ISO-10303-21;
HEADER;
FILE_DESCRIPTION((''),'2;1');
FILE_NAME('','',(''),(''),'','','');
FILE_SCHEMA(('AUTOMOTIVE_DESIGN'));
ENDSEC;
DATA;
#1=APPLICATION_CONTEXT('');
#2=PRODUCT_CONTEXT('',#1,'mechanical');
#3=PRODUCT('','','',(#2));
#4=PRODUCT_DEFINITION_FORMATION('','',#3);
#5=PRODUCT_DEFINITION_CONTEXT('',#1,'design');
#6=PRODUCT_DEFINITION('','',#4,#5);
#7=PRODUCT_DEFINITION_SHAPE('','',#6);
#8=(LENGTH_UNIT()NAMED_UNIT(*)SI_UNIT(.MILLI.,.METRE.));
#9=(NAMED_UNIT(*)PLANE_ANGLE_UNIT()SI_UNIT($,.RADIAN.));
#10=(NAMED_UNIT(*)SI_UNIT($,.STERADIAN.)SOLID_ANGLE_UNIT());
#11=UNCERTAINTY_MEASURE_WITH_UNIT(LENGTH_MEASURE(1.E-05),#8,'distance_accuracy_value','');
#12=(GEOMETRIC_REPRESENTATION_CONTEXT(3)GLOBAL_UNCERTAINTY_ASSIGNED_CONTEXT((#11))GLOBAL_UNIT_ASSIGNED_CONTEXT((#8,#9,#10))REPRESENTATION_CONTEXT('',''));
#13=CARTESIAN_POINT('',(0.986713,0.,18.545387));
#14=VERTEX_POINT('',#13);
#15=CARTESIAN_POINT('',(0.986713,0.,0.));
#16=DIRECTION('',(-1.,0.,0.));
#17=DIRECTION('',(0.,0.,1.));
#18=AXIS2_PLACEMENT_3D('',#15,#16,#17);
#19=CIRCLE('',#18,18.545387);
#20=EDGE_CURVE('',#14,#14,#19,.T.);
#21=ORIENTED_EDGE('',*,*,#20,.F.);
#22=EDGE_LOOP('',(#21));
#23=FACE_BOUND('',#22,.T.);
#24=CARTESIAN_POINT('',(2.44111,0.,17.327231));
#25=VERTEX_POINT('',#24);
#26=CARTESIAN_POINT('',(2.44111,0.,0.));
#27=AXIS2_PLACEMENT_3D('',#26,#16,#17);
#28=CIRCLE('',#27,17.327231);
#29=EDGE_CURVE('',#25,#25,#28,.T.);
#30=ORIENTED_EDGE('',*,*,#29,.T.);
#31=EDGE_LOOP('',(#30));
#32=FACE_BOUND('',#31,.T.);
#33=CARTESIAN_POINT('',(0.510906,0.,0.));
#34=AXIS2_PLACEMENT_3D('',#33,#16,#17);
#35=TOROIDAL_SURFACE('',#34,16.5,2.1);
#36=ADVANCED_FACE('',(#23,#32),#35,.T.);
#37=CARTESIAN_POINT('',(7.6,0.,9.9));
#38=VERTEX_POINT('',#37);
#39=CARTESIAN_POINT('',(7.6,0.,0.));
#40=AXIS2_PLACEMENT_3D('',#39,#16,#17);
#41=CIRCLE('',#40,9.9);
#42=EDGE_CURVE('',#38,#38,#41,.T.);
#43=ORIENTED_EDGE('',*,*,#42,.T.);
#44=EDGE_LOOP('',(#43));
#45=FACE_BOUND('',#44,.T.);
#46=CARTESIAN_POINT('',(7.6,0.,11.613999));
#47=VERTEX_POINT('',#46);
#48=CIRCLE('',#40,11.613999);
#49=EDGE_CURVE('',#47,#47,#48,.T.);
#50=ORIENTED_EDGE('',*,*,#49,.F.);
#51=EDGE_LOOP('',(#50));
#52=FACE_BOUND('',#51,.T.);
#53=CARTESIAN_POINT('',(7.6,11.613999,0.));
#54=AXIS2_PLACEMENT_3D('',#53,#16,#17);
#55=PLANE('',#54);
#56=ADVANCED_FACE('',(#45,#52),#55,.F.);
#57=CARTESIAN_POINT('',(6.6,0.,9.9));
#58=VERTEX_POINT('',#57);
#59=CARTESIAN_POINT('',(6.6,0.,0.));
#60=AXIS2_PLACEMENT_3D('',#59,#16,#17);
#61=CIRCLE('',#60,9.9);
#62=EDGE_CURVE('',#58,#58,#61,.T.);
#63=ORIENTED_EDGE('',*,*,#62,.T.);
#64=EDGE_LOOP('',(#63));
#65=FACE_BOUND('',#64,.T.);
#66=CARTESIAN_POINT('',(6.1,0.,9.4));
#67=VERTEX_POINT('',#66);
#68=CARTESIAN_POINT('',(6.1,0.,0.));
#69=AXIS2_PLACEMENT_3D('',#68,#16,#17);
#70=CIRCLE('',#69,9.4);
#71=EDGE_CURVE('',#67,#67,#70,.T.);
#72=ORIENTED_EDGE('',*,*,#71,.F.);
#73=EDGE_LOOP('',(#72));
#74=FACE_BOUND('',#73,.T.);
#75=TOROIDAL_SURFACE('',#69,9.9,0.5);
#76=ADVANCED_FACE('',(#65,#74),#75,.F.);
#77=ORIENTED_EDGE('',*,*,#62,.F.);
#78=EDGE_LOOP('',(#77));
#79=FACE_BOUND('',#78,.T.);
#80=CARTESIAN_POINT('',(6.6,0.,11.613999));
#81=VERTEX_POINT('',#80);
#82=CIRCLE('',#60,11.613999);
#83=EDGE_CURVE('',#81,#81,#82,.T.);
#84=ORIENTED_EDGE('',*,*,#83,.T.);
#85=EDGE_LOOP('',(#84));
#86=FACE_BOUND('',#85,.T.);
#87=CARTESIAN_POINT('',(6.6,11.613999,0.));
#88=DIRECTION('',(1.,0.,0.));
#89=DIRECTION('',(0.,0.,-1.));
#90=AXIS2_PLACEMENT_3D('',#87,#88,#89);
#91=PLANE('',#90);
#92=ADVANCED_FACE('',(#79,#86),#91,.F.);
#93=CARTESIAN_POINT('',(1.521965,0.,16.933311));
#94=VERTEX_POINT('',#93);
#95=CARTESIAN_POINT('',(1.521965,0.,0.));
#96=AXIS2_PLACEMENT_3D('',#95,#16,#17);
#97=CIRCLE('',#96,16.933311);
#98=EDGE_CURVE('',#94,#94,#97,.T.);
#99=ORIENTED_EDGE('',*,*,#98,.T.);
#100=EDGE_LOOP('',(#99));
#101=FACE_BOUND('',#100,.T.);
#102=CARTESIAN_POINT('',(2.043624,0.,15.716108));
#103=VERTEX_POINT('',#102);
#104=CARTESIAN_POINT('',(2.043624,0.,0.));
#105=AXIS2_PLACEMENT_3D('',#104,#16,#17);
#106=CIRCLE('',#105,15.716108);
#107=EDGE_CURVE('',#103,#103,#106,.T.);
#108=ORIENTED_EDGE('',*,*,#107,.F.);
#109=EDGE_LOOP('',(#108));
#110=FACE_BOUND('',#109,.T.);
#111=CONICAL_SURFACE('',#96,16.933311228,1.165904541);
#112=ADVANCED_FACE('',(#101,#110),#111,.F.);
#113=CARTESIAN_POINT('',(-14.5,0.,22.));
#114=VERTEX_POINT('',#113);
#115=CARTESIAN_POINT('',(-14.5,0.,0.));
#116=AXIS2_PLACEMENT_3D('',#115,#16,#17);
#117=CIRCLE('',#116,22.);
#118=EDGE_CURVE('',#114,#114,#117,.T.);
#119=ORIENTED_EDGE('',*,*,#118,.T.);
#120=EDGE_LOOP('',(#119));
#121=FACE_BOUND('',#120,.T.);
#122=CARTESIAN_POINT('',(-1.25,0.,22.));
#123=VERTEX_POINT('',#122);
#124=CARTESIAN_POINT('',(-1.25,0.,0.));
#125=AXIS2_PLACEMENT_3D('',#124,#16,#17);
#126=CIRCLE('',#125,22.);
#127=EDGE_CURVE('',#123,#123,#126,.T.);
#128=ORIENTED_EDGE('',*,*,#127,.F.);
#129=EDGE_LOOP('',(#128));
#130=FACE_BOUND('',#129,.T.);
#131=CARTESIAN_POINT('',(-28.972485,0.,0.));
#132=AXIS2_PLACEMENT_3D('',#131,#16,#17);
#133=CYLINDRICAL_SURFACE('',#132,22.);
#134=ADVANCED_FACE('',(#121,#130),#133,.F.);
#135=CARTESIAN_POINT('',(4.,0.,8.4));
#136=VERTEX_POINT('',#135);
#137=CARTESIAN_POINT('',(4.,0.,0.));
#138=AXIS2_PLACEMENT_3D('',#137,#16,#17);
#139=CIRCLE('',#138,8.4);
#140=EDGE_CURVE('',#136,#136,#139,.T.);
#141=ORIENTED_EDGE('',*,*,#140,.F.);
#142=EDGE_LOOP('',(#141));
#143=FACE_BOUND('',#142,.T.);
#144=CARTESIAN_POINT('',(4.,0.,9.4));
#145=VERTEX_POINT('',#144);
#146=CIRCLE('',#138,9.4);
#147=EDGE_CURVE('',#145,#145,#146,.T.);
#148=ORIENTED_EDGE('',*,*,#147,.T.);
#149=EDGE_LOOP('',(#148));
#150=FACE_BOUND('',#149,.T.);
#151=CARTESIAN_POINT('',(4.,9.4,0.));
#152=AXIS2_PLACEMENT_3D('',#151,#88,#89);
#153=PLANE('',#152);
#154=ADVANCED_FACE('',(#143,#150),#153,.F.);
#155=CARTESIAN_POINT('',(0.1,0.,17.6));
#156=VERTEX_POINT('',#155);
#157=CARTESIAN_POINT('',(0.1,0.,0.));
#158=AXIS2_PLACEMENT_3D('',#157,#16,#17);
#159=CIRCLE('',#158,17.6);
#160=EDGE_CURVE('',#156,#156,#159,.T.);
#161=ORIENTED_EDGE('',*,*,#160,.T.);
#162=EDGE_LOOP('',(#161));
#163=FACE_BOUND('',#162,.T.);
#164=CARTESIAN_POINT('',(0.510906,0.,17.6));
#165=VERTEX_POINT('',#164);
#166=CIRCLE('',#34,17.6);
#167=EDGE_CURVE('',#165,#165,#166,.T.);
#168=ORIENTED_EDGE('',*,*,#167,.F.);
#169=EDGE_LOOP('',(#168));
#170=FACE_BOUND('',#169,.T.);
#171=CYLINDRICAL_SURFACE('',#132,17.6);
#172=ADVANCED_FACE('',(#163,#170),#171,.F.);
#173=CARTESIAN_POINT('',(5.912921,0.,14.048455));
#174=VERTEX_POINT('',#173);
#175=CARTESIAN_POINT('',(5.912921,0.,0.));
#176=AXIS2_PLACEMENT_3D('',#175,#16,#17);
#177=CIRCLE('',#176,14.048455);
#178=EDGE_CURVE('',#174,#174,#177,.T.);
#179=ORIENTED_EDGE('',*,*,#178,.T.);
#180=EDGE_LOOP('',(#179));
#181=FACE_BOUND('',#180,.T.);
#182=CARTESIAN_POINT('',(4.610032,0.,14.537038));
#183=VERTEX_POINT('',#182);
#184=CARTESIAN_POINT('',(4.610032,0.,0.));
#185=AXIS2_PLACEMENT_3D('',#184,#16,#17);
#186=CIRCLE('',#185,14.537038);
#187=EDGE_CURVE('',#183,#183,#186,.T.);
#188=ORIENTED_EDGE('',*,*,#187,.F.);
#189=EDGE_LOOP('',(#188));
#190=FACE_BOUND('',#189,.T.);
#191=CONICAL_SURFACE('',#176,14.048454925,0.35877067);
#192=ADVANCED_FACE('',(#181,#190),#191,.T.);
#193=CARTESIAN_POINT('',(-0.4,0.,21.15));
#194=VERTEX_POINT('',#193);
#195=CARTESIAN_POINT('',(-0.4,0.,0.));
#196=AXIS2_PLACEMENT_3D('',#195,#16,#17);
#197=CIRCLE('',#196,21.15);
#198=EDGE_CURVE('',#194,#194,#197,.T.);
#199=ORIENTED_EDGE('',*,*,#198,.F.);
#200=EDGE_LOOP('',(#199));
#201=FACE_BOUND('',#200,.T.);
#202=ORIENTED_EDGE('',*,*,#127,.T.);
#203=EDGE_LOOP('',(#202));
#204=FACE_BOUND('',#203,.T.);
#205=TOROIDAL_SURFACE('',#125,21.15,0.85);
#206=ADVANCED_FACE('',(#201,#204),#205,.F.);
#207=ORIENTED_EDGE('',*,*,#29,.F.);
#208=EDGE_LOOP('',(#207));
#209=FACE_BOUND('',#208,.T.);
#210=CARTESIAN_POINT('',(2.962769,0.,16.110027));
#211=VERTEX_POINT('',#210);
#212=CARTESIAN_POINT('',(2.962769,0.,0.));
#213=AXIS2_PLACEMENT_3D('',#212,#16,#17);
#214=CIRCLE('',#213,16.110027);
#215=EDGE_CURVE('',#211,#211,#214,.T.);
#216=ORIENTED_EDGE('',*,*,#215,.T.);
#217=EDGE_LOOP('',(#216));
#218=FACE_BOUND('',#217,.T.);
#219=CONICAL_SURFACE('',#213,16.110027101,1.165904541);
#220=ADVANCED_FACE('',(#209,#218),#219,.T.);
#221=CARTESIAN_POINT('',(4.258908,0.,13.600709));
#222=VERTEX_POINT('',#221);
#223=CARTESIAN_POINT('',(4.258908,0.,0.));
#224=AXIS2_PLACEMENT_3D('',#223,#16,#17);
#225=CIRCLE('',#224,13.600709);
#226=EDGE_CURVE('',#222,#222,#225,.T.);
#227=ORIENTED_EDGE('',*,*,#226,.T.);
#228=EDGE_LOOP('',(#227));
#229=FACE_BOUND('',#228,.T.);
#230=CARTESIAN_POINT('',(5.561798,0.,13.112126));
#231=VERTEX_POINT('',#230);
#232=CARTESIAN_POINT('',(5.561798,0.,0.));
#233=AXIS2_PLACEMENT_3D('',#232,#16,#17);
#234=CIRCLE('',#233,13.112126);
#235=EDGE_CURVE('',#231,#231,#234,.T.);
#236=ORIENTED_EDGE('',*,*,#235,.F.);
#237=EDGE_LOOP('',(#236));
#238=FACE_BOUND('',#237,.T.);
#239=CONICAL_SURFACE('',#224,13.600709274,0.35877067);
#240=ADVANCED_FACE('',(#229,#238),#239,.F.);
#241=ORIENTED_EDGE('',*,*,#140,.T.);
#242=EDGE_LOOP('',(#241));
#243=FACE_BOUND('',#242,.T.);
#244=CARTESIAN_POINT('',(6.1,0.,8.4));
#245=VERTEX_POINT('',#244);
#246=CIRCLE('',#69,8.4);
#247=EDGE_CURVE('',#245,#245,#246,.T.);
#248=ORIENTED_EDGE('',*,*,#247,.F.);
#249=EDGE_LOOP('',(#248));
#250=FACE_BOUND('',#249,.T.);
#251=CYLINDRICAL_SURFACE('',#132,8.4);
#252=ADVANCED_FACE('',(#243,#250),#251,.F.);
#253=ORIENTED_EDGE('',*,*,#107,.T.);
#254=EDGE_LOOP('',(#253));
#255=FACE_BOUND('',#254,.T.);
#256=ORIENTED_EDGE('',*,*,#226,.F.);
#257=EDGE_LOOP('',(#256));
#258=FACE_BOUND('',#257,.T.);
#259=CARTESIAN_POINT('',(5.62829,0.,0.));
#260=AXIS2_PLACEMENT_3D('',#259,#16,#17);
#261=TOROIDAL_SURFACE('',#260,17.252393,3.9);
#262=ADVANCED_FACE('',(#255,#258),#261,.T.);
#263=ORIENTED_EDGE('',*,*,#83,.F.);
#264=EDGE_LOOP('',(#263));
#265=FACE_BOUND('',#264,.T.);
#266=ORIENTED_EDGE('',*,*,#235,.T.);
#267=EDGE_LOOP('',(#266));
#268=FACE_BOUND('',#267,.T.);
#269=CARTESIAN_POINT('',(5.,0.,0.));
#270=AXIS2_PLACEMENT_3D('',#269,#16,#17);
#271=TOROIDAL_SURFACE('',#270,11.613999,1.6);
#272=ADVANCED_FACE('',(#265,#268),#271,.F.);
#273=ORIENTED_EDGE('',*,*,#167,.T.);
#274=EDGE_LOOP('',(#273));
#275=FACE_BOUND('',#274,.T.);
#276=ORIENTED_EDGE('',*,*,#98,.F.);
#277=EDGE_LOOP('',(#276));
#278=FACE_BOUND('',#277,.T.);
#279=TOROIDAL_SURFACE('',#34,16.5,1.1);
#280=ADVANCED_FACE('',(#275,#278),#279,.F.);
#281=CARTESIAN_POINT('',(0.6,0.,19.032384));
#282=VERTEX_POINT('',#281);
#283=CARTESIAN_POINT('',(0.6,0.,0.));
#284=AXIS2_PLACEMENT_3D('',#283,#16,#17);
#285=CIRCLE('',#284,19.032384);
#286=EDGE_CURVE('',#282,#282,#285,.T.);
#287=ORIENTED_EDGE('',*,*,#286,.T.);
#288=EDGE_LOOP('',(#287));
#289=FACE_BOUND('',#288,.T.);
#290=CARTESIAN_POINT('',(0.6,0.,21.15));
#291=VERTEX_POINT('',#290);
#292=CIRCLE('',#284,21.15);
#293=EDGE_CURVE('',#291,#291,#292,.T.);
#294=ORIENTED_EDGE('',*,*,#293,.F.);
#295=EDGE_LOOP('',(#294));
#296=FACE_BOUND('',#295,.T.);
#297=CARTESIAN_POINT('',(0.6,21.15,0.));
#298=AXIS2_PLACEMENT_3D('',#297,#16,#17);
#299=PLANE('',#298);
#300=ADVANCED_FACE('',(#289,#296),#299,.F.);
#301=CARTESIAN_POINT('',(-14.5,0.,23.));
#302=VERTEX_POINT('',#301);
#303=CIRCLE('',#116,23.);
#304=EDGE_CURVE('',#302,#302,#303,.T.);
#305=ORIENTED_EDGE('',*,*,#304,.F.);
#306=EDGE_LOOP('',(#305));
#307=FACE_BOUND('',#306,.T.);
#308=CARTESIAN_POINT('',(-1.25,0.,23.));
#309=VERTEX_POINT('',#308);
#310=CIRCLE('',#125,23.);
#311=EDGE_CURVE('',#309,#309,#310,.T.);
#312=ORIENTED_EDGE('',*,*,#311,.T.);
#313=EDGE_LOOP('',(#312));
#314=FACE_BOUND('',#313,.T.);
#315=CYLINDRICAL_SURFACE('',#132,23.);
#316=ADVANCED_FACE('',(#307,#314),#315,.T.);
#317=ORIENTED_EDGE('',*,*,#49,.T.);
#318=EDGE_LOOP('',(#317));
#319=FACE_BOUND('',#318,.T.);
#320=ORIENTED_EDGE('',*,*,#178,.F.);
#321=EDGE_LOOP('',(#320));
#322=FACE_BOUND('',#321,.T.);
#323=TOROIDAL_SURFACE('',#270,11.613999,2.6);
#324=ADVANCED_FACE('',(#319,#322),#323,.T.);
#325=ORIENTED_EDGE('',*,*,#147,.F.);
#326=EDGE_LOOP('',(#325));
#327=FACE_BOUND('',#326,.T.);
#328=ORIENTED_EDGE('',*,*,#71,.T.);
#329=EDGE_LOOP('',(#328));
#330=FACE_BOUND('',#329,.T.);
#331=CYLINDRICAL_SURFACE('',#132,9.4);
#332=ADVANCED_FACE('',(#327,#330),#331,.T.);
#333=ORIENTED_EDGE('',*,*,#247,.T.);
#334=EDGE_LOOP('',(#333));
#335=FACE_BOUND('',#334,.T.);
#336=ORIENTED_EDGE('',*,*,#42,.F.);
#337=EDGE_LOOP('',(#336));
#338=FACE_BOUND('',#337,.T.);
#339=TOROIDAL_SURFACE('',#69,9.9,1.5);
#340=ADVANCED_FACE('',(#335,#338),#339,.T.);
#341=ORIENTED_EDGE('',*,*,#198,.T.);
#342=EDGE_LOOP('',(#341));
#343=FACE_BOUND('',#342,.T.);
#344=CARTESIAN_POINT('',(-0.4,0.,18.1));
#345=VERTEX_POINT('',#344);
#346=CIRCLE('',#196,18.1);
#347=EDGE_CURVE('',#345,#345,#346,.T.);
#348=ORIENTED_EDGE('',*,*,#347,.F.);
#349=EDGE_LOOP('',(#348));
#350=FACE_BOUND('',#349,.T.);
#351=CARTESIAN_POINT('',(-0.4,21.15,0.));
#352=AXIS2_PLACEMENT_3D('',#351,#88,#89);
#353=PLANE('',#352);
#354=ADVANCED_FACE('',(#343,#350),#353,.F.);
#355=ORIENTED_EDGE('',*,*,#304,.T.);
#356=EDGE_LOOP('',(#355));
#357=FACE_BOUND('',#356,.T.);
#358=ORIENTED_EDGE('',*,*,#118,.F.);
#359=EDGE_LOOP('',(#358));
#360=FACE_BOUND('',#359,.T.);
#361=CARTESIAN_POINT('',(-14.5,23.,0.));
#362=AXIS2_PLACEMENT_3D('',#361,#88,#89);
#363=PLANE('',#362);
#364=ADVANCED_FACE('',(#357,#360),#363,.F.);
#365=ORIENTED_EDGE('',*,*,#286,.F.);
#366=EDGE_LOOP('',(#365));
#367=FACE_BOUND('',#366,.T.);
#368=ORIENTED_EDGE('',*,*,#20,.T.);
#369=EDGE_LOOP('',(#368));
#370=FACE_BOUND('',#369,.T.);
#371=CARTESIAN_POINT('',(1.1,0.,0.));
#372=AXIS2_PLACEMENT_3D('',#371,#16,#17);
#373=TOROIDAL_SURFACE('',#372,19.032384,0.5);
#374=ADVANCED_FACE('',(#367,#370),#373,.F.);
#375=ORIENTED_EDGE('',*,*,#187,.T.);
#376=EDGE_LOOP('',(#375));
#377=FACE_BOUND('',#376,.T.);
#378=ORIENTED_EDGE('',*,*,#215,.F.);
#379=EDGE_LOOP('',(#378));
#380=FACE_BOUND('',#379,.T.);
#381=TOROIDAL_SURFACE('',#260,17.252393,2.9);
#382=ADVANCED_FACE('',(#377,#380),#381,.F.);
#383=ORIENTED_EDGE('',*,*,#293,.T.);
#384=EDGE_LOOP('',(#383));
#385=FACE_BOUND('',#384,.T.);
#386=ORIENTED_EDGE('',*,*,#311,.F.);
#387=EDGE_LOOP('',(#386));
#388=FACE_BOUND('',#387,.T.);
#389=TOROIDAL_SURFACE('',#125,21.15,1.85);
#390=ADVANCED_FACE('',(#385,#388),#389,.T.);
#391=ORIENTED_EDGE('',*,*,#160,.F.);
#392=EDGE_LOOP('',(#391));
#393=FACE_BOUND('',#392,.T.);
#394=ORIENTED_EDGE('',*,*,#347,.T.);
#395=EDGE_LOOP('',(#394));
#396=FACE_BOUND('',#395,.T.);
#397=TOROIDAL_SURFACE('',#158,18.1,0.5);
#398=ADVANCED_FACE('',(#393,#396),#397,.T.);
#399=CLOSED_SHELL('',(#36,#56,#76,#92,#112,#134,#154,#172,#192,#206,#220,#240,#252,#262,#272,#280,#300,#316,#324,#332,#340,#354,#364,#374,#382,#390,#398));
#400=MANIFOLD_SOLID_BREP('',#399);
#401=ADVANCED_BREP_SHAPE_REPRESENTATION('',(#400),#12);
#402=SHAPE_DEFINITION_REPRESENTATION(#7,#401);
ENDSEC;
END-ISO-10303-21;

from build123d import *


with BuildPart() as part:
    # 草图1 → 旋转1 (revolve)
    with BuildSketch(Plane.XY, mode=Mode.PRIVATE) as revolve_1_sk:
        with BuildLine():
            Line((-14.5, 22), (-1.25, 22))
            ThreePointArc((-1.25, 22), (-0.648959236, 21.751040764), (-0.4, 21.15))
            Line((-0.4, 21.15), (-0.4, 18.1))
            ThreePointArc((-0.4, 18.1), (-0.253553391, 17.746446609), (0.1, 17.6))
            Line((0.1, 17.6), (0.510905763, 17.6))
            ThreePointArc((0.510905763, 17.6), (1.116445873, 17.418325201), (1.521965296, 16.933311228))
            Line((1.521965296, 16.933311228), (2.043623907, 15.716107803))
            ThreePointArc((2.043623907, 15.716107803), (2.934895151, 14.431821006), (4.258908102, 13.600709274))
            Line((4.258908102, 13.600709274), (5.561797507, 13.112125748))
            ThreePointArc((5.561797507, 13.112125748), (6.315080988, 12.525350804), (6.6, 11.613999064))
            Line((6.6, 11.613999064), (6.6, 9.9))
            ThreePointArc((6.6, 9.9), (6.453553391, 9.546446609), (6.1, 9.4))
            Line((6.1, 9.4), (4, 9.4))
            Line((4, 9.4), (4, 8.4))
            Line((4, 8.4), (6.1, 8.4))
            ThreePointArc((6.1, 8.4), (7.160660172, 8.839339828), (7.6, 9.9))
            Line((7.6, 9.9), (7.6, 11.613999064))
            ThreePointArc((7.6, 11.613999064), (7.137006606, 13.094945642), (5.912920948, 14.048454925))
            Line((5.912920948, 14.048454925), (4.610031544, 14.537038452))
            ThreePointArc((4.610031544, 14.537038452), (3.625509093, 15.155044612), (2.962768937, 16.110027101))
            Line((2.962768937, 16.110027101), (2.441110326, 17.327230527))
            ThreePointArc((2.441110326, 17.327230527), (1.859311875, 18.109907127), (0.986712647, 18.545386958))
            ThreePointArc((0.986712647, 18.545386958), (0.708436674, 18.721452733), (0.6, 19.032383853))
            Line((0.6, 19.032383853), (0.6, 21.15))
            ThreePointArc((0.6, 21.15), (0.058147545, 22.458147545), (-1.25, 23))
            Line((-1.25, 23), (-14.5, 23))
            Line((-14.5, 23), (-14.5, 22))
        make_face()
    revolve(revolve_1_sk.sketch.rotate(Axis((-28.972485425, 0, 0), (1, 0, 0)), 90), axis=Axis((-28.972485425, 0, 0), (1, 0, 0)))


solid = part.part
